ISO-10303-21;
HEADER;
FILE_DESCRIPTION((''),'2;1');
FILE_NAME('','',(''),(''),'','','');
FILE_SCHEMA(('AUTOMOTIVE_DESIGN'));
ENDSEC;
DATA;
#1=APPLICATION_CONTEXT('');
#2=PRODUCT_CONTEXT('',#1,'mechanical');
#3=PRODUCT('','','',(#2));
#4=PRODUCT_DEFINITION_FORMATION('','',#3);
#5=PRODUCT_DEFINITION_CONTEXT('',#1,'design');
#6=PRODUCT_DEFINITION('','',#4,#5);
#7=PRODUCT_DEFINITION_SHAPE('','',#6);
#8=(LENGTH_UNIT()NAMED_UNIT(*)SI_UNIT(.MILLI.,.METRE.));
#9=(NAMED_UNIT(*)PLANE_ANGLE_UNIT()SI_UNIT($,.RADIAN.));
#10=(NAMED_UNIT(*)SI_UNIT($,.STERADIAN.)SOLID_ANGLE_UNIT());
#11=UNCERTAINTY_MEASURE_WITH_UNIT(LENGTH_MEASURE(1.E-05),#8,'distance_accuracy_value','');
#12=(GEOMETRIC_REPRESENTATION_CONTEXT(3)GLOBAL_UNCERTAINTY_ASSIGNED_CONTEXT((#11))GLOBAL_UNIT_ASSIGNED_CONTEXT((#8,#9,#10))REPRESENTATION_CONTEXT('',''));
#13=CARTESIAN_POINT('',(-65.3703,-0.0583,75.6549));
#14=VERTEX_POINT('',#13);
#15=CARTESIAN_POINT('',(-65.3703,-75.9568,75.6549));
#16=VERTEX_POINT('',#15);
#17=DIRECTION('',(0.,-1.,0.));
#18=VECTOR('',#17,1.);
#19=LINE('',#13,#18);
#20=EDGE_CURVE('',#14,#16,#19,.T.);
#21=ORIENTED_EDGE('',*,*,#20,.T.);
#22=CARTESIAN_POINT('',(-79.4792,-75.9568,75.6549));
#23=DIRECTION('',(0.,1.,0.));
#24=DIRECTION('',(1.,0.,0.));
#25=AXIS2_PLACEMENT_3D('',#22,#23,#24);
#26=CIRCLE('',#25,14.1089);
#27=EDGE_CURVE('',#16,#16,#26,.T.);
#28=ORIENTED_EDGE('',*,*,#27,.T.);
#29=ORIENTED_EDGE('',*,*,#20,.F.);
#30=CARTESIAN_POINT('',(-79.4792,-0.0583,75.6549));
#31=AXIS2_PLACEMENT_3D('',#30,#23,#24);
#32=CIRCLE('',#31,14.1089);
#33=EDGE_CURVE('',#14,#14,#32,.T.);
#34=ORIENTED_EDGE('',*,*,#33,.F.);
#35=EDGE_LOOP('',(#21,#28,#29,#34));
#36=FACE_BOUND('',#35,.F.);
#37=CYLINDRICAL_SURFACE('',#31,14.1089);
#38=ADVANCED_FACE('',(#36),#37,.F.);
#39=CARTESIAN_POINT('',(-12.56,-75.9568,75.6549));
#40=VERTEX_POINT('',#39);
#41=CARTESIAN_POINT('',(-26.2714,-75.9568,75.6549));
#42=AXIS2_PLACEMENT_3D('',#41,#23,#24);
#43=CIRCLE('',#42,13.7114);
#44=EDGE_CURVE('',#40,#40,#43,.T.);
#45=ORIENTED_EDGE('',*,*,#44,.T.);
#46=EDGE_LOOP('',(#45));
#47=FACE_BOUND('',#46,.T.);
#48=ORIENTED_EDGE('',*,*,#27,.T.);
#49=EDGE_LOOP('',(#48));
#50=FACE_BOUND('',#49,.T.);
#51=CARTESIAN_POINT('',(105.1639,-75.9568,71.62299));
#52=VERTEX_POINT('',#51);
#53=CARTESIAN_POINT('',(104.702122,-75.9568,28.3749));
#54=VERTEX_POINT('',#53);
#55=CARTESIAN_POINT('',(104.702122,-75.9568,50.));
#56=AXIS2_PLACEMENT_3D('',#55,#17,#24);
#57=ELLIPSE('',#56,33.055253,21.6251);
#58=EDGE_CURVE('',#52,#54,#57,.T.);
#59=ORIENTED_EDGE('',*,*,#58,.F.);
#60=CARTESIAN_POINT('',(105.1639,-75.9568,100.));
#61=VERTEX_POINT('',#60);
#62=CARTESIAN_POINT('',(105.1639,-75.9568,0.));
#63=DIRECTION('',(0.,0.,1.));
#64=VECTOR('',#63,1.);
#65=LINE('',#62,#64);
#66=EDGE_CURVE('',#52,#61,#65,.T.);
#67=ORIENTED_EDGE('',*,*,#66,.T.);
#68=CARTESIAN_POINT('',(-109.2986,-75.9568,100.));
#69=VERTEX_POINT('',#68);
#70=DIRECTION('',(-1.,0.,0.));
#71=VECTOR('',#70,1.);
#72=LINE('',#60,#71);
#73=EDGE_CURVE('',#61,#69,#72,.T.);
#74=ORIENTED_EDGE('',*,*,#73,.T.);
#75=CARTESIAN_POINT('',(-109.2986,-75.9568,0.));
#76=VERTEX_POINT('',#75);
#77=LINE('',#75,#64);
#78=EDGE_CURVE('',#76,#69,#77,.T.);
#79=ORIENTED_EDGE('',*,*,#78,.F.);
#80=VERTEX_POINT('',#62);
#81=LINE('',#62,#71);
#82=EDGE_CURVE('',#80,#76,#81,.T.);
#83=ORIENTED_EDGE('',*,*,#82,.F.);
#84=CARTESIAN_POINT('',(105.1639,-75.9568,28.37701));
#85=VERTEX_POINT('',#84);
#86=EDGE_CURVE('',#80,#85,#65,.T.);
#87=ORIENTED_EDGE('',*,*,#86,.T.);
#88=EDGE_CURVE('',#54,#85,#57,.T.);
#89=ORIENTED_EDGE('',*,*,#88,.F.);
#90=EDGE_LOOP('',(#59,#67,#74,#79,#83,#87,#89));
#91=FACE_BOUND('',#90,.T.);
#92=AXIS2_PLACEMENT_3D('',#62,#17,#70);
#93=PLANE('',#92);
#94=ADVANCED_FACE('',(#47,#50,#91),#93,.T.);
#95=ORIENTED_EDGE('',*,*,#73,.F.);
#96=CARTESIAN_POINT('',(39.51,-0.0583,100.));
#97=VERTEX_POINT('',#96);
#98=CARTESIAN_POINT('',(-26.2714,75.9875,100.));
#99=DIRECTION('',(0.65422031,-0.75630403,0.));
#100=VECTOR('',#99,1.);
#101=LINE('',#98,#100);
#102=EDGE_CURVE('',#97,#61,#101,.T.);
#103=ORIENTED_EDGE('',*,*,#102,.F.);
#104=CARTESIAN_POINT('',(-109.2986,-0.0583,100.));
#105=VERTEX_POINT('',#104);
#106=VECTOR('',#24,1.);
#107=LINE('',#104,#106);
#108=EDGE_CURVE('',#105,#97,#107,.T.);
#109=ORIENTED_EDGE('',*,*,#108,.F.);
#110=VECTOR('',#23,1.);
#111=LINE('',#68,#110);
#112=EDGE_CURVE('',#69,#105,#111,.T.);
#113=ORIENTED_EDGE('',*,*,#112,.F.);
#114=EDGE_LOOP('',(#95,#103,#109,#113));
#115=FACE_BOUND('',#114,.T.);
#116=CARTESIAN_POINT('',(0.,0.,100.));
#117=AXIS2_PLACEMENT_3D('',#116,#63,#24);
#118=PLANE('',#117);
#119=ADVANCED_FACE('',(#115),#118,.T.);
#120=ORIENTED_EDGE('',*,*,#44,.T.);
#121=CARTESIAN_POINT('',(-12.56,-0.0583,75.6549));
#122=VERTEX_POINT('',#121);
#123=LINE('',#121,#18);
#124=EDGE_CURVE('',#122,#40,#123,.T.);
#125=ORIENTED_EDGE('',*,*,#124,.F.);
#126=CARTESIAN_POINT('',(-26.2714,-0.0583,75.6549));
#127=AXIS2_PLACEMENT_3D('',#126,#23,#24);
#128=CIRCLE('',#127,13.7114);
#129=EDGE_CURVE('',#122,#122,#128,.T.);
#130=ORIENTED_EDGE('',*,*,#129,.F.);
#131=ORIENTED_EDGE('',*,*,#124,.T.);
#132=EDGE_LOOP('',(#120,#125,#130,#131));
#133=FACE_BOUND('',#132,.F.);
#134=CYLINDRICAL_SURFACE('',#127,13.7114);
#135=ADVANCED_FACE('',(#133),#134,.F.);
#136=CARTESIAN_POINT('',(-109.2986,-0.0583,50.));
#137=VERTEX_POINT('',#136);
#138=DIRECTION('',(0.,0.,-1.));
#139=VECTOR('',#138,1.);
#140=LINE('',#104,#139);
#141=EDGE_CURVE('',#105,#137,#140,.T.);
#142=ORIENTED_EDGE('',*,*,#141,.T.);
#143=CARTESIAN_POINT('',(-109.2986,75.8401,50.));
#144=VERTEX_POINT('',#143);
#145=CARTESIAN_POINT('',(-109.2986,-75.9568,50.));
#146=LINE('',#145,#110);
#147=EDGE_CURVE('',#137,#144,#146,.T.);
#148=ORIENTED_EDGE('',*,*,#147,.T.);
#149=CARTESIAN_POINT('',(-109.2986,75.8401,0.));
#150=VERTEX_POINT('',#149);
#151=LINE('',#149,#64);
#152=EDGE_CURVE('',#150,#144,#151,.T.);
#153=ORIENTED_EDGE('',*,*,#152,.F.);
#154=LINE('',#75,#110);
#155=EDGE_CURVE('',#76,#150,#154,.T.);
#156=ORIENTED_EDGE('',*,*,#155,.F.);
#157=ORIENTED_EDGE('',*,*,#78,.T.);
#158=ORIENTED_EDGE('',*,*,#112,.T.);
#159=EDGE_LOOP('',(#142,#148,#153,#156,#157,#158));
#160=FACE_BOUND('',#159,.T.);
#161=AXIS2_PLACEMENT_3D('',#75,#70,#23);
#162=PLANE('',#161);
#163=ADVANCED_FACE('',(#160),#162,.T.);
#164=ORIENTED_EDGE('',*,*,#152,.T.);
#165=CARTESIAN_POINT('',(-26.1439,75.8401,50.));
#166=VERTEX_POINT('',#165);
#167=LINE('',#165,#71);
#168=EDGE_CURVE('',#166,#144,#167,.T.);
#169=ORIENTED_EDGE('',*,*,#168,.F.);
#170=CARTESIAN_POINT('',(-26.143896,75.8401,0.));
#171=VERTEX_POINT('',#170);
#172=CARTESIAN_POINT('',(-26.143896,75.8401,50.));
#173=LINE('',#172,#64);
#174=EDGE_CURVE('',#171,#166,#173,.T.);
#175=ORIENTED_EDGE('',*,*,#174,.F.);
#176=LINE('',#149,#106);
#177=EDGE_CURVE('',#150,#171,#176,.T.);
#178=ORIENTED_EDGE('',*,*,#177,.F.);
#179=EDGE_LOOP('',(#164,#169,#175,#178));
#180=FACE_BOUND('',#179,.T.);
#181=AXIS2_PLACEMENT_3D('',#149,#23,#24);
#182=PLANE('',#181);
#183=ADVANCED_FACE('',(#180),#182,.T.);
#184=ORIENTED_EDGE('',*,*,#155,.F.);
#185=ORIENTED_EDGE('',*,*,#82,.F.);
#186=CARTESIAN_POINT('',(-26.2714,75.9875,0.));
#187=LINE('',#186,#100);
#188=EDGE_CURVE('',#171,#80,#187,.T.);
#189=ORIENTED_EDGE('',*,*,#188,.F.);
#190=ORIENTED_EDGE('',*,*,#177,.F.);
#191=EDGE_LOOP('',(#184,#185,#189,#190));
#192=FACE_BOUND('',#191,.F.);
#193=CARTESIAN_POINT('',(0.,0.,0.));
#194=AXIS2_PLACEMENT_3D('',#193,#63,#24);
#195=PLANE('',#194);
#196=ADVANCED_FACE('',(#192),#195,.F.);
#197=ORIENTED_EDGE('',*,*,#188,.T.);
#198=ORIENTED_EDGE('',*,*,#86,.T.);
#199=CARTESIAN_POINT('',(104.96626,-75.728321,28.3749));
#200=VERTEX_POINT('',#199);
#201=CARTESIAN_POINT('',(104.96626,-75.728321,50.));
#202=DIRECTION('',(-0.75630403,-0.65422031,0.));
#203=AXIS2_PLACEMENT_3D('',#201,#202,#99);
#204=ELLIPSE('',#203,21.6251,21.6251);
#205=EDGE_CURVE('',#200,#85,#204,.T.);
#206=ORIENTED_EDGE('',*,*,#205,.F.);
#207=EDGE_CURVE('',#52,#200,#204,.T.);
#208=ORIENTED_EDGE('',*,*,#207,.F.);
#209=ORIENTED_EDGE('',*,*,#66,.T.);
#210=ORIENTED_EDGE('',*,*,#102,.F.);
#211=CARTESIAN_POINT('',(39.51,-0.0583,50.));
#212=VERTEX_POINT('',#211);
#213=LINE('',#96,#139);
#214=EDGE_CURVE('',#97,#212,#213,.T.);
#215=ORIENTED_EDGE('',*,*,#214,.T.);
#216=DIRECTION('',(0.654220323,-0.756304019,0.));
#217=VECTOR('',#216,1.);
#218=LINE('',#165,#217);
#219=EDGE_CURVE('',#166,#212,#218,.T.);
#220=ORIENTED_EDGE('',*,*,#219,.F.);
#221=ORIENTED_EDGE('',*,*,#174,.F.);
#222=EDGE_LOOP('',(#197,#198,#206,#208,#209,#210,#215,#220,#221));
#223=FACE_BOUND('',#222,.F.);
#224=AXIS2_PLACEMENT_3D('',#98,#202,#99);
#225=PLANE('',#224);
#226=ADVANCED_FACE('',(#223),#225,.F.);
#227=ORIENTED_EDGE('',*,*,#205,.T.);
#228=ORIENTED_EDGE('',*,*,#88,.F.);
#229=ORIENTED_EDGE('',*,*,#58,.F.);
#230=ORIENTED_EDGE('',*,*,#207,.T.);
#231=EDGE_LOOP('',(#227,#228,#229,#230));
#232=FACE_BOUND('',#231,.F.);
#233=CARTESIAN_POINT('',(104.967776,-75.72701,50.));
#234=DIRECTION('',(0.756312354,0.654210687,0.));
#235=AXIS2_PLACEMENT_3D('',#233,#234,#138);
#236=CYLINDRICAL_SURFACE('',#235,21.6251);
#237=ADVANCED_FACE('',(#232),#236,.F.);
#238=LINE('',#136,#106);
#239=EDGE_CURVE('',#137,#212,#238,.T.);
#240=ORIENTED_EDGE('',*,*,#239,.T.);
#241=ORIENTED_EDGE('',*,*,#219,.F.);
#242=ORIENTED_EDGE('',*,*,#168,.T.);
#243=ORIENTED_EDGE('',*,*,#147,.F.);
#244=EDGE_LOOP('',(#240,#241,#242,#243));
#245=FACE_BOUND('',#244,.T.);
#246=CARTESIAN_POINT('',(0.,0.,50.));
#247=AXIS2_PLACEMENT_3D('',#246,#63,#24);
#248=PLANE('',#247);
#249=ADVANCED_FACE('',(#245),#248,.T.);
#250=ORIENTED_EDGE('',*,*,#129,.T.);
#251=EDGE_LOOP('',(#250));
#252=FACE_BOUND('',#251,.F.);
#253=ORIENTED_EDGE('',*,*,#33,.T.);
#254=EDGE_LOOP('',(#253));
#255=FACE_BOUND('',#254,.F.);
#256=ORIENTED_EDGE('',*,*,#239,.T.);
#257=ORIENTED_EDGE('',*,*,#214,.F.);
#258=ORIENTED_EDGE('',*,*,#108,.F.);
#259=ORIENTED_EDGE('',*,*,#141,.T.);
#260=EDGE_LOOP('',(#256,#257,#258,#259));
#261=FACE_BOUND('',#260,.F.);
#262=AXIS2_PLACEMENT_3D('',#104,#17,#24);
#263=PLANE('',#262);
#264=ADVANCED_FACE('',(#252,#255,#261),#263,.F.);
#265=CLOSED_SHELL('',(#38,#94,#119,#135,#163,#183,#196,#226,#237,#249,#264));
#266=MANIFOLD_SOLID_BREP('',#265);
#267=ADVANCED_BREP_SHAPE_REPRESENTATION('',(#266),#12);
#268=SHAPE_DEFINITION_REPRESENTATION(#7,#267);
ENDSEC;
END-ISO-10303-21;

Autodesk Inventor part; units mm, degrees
ref_plane "YZ Plane" through (0, 0, 0) normal (1, 0, 0) x (0, 1, 0)
ref_plane "XZ Plane" through (0, 0, 0) normal (0, 1, 0) x (-1, 0, 0)
ref_plane "XY Plane" through (0, 0, 0) normal (0, 0, 1) x (1, 0, 0)
sketch "스케치1" plane through (0, 0, 0) normal (0, 0, 1) x (1, 0, 0)
  line L0 (-109.2986, 75.8401) -> (105.1639, 75.8401)
  line L1 (105.1639, 75.8401) -> (105.1639, -75.9568)
  line L2 (105.1639, -75.9568) -> (-109.2986, -75.9568)
  line L3 (-109.2986, -75.9568) -> (-109.2986, 75.8401)
  point P0 (0, 0)
extrude "돌출1" add sketch "스케치1" along normal blind 100
sketch "스케치2" plane through (0, 0, 100) normal (0, 0, 1) x (1, 0, 0)
  line L0 (-109.2986, -75.9568) -> (105.1639, -75.9568) projected
  line L1 (-26.2714, 75.9875) -> (105.1639, -75.9568)
  line L2 (105.1639, -75.9568) -> (105.1639, 75.9875)
  line L3 (105.1639, 75.9875) -> (-26.2714, 75.9875)
  point P0 (0, 0)
extrude "돌출2" cut sketch "스케치2" against normal blind 100
sketch "스케치3" plane through (-109.2986, 75.8401, 100) normal (0, 1, 0) x (1, 0, 0)
  point P0 (109.2986, 100)
sketch "스케치4" plane through (0, 0, 100) normal (0, 0, 1) x (1, 0, 0)
  line L0 (-109.2986, -75.9568) -> (-109.2986, 75.8401) projected
  line L1 (-109.2986, 75.8401) -> (-109.2986, -0.0583)
  line L2 (-26.1439, 75.8401) -> (105.1639, -75.9568) projected
  line L3 (39.51, -0.0583) -> (-26.1439, 75.8401)
  line L4 (-26.1439, 75.8401) -> (-109.2986, 75.8401)
  line L5 (-109.2986, -0.0583) -> (39.51, -0.0583)
  point P0 (0, 0)
extrude "돌출3" cut sketch "스케치4" against normal blind 50
sketch "스케치5" plane through (-109.2986, -0.0583, 100) normal (0, 1, 0) x (1, 0, 0)
  circle A0 centre (83.0272, 24.3451) radius 13.7114
  circle A1 centre (29.8194, 24.3451) radius 14.1089
  point P0 (109.2986, 100)
extrude "돌출4" cut sketch "스케치5" against normal blind 80
sketch "스케치6" plane through (105.1639, -75.9568, 100) normal (0.7563, 0.6542, 0) x (0, 0, -1)
  circle A0 centre (50, 0.3021) radius 21.6251
  point P0 (100, 126.2468)
extrude "돌출5" cut sketch "스케치6" against normal blind 80
properties part number "240510_3Dsketch01"
